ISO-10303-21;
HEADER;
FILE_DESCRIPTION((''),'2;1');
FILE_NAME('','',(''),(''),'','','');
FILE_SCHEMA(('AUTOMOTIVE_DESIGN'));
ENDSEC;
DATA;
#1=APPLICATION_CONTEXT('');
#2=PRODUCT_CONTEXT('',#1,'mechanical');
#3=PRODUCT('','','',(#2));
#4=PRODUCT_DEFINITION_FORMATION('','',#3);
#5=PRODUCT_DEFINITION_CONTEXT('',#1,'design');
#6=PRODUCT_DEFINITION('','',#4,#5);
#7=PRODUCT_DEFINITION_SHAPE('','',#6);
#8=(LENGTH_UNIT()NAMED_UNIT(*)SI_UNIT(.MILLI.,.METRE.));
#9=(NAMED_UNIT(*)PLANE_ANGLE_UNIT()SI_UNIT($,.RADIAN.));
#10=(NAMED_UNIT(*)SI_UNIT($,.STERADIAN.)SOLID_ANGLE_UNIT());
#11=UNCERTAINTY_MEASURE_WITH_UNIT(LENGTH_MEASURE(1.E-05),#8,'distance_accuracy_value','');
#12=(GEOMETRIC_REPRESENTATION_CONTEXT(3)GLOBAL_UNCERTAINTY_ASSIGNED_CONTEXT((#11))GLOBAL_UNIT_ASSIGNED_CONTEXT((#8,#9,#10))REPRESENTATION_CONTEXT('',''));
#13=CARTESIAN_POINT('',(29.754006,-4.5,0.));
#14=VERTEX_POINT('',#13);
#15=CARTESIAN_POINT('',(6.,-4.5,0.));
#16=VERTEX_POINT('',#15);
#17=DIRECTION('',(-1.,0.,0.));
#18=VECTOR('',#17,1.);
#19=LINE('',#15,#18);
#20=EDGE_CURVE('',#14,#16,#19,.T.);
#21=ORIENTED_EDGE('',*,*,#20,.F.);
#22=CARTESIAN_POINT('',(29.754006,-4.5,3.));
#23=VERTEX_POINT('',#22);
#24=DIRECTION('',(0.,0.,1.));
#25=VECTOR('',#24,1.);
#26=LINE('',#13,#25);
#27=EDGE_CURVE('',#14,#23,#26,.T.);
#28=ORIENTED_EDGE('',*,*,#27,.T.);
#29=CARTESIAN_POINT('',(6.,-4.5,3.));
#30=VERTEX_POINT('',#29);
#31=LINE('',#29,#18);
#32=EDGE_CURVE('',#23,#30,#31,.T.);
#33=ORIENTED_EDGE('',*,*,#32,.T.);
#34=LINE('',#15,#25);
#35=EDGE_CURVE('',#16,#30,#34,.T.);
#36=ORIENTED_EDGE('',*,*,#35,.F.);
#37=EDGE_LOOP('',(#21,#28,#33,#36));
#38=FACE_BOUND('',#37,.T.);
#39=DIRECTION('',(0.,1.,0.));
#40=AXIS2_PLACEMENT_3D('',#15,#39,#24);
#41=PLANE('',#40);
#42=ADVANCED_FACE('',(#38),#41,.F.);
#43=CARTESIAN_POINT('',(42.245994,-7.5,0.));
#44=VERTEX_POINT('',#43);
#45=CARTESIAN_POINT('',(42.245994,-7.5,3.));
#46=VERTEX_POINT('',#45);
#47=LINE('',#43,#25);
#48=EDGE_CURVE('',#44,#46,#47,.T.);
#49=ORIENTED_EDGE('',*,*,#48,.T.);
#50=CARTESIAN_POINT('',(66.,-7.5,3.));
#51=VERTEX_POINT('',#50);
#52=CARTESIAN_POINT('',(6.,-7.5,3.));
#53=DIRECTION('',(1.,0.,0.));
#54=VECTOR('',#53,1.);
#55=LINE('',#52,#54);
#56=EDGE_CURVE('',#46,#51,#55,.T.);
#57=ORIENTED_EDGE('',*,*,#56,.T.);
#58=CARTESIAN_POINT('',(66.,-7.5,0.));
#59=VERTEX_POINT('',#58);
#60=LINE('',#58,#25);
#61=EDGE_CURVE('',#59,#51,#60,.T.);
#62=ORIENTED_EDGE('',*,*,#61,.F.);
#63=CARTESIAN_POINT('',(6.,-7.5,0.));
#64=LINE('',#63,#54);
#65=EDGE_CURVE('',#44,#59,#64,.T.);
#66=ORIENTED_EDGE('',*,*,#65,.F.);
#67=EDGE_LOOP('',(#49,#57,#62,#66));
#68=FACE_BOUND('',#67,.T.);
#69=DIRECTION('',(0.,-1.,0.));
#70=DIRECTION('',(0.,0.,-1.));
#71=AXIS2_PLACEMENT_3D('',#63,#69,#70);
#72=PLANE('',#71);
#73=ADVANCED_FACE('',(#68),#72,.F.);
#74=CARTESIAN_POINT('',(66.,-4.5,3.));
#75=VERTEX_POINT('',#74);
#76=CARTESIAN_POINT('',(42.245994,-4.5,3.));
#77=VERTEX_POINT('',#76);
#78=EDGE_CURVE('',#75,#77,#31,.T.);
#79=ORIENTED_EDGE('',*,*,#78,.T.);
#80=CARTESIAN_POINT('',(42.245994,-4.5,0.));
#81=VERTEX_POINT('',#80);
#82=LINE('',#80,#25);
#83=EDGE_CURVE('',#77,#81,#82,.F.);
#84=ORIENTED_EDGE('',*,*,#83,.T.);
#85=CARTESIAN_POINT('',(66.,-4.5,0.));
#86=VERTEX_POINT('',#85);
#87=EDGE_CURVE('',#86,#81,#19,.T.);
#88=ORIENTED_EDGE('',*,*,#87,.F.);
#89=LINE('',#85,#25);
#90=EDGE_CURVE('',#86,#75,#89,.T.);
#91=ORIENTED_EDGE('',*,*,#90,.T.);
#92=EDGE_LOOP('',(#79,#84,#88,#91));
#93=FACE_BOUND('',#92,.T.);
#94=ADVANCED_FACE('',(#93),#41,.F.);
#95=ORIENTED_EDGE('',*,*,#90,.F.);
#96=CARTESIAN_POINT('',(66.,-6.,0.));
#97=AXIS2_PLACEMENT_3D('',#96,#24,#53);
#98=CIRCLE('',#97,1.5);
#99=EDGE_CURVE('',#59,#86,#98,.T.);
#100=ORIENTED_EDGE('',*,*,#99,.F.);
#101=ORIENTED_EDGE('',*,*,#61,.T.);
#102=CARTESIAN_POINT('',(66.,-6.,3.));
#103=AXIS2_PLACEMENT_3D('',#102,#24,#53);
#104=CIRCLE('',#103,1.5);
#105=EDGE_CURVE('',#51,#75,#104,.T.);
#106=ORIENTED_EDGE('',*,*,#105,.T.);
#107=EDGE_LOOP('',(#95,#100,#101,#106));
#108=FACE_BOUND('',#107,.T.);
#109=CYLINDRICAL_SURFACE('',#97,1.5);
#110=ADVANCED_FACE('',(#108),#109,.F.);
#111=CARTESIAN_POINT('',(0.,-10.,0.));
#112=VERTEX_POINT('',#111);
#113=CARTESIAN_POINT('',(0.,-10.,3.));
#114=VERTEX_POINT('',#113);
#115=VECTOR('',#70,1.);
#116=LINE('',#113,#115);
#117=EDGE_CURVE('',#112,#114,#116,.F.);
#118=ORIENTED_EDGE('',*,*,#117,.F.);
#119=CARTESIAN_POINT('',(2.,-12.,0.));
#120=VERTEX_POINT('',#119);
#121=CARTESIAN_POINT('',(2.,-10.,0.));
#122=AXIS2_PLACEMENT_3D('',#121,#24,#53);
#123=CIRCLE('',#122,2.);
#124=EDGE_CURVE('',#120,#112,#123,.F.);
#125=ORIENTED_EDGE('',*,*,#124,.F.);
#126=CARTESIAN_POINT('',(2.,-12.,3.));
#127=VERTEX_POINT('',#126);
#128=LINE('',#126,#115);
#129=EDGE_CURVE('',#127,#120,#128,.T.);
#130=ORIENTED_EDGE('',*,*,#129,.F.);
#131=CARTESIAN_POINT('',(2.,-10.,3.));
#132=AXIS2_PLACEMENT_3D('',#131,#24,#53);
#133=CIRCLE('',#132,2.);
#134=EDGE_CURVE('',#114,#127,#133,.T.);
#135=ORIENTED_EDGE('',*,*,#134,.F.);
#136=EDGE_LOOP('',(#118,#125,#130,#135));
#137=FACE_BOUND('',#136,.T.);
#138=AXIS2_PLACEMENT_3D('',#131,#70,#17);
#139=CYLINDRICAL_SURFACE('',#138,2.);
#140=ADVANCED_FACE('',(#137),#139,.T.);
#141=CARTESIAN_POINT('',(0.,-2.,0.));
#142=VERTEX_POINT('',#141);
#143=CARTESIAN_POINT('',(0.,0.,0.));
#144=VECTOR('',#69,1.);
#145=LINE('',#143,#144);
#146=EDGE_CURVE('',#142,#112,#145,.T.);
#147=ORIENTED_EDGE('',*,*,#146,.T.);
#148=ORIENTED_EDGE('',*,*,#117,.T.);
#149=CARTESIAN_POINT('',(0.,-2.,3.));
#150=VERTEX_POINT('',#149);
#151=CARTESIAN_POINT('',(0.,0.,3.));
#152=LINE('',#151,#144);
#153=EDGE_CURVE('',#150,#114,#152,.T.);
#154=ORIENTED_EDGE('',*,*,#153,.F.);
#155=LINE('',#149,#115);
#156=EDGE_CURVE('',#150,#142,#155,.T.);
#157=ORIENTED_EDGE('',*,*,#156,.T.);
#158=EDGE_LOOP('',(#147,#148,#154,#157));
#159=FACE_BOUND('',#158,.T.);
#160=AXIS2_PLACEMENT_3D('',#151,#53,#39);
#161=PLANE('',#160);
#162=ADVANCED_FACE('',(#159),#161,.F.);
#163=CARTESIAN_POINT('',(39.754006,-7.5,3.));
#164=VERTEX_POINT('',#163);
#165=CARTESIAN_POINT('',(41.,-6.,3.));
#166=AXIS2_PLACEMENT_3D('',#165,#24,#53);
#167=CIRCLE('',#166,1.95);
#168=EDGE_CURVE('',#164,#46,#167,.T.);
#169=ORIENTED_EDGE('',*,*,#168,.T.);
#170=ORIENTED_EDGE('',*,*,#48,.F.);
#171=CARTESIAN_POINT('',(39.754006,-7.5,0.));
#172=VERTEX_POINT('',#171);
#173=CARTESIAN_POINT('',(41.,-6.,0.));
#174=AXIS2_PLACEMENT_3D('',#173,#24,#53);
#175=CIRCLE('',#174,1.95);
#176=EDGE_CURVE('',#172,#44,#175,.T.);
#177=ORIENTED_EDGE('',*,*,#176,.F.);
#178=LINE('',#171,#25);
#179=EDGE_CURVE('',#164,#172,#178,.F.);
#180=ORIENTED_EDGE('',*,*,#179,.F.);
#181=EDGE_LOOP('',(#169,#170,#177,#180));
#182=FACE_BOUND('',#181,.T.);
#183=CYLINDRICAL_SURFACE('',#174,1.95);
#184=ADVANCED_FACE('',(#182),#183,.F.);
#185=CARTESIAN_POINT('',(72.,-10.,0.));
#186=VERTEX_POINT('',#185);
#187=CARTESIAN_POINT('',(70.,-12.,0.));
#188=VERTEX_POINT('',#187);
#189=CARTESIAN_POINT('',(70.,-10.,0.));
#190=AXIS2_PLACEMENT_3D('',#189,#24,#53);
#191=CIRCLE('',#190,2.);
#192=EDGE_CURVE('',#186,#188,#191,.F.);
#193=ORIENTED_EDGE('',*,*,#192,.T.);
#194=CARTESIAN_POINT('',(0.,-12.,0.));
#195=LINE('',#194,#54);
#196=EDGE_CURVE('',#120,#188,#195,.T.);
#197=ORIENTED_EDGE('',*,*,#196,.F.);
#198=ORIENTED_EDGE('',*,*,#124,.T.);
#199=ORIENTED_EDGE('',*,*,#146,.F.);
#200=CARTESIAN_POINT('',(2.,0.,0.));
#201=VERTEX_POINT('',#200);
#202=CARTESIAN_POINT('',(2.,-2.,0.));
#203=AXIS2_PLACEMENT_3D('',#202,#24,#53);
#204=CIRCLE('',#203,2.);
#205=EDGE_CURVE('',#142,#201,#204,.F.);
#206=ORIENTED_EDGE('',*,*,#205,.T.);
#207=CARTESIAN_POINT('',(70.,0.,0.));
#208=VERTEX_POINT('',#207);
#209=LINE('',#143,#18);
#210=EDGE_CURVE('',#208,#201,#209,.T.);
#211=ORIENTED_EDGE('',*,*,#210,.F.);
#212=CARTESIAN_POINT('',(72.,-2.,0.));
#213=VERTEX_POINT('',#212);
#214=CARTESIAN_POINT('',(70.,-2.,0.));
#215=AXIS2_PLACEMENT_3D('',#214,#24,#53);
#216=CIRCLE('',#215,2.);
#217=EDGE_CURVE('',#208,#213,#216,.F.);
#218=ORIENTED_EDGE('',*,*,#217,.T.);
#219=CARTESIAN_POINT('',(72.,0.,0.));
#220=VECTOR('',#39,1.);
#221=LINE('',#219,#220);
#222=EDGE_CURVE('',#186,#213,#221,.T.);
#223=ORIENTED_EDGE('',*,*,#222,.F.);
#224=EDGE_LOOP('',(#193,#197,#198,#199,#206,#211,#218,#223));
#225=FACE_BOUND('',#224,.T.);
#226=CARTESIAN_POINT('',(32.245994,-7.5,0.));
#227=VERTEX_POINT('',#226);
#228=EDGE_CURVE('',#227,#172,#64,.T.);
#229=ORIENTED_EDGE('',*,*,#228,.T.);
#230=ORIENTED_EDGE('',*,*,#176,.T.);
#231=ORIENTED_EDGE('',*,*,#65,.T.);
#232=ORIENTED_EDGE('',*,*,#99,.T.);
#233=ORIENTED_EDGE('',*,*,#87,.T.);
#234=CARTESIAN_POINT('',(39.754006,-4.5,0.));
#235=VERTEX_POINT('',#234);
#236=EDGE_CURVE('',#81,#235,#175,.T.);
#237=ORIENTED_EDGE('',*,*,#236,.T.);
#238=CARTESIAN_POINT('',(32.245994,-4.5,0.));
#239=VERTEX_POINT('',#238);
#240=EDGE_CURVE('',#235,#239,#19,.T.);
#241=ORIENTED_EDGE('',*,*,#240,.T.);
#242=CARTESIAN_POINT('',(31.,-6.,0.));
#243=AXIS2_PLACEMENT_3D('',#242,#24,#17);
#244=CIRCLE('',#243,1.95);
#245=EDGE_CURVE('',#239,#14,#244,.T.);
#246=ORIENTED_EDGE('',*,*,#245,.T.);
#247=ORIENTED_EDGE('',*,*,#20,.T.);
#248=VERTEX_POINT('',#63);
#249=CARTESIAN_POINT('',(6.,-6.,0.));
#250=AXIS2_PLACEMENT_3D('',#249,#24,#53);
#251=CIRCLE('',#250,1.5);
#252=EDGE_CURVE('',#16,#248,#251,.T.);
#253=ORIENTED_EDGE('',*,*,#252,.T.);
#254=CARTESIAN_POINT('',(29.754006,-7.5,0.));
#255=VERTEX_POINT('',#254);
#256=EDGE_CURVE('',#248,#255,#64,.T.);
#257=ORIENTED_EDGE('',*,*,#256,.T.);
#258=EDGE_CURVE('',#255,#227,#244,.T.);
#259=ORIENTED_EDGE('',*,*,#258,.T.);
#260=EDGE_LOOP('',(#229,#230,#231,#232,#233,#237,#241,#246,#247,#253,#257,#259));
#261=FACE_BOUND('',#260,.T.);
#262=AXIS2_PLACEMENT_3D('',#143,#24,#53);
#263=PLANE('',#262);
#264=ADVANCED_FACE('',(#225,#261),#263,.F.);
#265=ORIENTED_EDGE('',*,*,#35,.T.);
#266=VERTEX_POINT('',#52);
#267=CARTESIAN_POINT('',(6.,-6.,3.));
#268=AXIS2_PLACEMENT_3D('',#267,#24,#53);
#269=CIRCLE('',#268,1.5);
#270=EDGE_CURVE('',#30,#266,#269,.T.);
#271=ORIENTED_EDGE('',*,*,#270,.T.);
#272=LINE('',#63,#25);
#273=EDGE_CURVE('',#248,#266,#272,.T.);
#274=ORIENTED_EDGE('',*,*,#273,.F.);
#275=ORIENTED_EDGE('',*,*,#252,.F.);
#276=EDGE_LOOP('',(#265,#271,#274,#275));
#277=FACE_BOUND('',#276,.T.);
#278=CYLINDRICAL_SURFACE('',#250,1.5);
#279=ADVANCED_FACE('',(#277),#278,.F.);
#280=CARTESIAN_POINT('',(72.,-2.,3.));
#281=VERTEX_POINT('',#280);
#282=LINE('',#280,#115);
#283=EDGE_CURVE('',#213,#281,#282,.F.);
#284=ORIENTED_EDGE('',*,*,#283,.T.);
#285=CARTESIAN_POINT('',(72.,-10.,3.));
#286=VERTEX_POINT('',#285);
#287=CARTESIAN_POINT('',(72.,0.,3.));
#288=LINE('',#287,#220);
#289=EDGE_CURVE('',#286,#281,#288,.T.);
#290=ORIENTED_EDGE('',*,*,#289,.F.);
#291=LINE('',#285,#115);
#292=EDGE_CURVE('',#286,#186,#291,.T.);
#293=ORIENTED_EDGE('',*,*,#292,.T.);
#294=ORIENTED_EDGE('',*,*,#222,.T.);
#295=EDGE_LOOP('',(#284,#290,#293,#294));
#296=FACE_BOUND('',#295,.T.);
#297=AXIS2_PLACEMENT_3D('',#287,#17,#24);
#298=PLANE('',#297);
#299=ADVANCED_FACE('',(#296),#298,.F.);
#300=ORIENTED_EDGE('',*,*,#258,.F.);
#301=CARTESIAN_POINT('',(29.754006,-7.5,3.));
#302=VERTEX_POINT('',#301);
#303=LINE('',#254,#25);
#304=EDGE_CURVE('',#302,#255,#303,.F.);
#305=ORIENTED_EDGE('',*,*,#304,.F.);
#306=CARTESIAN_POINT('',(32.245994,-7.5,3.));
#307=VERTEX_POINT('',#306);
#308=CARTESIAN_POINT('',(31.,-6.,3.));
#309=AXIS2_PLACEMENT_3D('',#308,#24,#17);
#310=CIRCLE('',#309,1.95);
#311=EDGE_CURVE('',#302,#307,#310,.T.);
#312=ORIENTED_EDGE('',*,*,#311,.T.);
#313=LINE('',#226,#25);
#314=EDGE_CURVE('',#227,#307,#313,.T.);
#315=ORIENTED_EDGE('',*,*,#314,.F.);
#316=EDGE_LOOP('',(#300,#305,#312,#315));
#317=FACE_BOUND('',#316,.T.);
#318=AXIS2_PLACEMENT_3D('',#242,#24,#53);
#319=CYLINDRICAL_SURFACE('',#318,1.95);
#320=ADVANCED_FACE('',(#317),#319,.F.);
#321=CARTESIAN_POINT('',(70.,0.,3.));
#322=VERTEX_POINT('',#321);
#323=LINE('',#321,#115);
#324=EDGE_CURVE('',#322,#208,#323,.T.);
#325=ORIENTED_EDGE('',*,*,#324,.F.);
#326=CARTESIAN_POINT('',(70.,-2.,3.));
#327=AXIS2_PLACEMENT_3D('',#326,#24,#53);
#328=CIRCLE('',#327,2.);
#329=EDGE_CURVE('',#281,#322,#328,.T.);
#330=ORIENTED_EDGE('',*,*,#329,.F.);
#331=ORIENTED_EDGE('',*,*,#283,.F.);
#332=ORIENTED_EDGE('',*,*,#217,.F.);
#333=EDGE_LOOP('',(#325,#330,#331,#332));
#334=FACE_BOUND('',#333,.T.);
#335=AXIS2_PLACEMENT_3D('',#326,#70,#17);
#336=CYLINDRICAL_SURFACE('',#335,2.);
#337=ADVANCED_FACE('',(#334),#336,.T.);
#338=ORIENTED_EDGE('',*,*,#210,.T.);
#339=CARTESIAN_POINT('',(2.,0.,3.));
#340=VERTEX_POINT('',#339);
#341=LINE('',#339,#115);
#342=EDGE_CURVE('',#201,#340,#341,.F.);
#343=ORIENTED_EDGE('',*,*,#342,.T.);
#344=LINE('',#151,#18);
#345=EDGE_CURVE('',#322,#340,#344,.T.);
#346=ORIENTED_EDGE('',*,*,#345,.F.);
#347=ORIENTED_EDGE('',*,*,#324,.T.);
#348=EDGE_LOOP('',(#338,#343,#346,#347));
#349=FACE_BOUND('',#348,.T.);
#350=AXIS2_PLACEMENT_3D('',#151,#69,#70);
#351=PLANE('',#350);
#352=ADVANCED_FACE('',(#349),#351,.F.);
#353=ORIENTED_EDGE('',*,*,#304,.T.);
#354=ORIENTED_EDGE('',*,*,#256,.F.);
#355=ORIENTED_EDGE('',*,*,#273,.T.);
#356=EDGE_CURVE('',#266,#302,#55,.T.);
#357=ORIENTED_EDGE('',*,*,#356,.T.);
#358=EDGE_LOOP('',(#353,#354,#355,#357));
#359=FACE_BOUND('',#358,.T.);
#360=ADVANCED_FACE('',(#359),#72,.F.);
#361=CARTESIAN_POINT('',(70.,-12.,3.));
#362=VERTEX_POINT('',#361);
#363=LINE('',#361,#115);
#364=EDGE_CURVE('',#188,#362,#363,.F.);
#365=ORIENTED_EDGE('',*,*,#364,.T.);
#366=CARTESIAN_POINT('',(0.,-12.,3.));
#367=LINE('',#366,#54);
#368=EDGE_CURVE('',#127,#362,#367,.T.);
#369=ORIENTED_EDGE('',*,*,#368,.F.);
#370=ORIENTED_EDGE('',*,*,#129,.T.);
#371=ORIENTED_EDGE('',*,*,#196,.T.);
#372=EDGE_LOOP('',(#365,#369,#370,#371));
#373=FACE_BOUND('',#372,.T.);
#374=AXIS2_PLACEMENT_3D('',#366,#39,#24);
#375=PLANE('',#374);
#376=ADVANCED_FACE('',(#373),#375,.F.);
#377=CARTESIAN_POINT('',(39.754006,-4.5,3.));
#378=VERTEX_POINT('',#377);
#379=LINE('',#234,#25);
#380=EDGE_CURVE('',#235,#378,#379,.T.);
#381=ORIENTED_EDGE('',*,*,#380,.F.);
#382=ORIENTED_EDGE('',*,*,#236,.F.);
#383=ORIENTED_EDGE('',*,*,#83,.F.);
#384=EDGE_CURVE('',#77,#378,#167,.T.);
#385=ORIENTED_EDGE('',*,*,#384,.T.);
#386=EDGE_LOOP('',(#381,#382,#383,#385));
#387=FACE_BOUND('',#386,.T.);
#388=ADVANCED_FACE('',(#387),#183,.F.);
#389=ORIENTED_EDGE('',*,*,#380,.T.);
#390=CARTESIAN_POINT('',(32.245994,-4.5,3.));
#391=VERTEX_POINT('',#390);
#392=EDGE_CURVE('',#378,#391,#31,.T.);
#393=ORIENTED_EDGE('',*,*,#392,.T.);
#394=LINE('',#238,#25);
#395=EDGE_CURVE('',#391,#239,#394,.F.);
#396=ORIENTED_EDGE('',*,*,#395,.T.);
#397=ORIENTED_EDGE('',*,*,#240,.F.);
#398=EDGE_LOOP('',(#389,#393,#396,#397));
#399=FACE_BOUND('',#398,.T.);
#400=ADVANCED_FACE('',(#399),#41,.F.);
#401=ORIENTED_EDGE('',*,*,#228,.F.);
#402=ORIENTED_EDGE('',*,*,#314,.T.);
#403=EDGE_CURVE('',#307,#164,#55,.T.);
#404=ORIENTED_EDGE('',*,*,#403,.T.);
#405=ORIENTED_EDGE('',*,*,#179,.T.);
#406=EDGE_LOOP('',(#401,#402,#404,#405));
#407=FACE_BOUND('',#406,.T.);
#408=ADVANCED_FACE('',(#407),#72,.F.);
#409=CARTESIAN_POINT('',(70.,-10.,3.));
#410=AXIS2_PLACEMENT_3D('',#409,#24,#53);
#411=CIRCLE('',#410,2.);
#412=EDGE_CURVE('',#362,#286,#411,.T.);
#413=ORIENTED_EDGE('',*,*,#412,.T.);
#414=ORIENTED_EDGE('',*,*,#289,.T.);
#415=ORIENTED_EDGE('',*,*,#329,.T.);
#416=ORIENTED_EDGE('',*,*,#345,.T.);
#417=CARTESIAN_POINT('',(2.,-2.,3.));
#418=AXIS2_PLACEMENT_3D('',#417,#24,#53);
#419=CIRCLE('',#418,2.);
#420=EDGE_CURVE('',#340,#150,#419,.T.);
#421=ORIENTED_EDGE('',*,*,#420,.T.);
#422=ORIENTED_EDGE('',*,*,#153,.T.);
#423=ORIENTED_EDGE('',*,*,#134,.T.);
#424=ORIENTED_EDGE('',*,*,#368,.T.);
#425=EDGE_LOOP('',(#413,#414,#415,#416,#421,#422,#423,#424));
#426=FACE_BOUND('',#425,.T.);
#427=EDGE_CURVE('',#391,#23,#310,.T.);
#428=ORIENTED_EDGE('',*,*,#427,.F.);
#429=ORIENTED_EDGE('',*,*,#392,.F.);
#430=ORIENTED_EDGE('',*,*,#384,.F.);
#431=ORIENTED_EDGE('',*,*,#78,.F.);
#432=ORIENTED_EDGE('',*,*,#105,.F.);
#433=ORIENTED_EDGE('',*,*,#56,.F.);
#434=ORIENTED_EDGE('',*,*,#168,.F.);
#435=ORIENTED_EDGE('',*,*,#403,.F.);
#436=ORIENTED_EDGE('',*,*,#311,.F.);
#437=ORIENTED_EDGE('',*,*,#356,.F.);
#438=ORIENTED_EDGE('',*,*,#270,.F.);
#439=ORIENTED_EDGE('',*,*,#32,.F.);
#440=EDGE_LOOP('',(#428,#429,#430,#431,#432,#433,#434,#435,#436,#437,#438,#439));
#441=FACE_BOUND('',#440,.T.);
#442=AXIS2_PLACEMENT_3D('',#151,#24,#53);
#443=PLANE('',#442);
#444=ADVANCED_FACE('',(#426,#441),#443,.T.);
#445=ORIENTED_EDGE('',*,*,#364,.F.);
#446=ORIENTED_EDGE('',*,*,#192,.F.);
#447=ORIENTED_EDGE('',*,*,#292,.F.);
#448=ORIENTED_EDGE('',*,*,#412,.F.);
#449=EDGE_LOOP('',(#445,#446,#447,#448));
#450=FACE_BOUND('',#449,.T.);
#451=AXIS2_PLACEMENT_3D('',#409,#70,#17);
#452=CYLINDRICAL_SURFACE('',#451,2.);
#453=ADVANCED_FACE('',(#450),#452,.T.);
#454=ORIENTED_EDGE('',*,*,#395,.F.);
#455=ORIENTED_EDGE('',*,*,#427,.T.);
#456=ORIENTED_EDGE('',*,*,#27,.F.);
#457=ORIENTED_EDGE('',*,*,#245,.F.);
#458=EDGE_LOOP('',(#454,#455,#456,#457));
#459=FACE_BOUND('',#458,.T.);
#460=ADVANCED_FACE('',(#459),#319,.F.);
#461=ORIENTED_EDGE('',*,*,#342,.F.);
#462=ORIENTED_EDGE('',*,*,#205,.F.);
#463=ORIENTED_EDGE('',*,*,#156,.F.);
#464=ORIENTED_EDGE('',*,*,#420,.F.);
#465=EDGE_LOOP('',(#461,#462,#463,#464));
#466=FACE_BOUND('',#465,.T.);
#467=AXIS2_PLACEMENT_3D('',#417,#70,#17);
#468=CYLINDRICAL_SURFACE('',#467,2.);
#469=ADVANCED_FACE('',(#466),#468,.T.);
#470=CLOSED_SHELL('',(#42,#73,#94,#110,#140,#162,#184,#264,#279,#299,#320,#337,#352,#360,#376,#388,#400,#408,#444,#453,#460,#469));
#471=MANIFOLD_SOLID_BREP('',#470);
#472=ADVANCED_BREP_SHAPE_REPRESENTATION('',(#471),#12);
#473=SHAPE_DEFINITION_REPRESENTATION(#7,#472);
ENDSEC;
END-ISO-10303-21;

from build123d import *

# Parameters (mm, degrees)
SKETCH_1_W          = 72
SKETCH_1_H          = 12
EXTRUDE_1_DEPTH     = 3
CUT_EXTRUDE_1_DEPTH = 74.054773971
SKETCH_3_R          = 1.95
CUT_EXTRUDE_2_DEPTH = 74.054773971
FILLET_1_R          = 2


with BuildPart() as part:
    # 草图1 → 凸台-拉伸1 (new body)
    with BuildSketch(Plane.XY):
        with Locations((36, -6)):
            Rectangle(SKETCH_1_W, SKETCH_1_H)
    extrude(amount=EXTRUDE_1_DEPTH)

    # 草图2 → 切除-拉伸1 (cut, through all)
    with BuildSketch(Plane.XY.offset(3)):
        with BuildLine():
            Line((6, -4.5), (66, -4.5))
            ThreePointArc((66, -4.5), (67.5, -6), (66, -7.5))
            Line((66, -7.5), (6, -7.5))
            ThreePointArc((6, -7.5), (4.5, -6), (6, -4.5))
        make_face()
    extrude(amount=-CUT_EXTRUDE_1_DEPTH, mode=Mode.SUBTRACT)

    # 草图3 → 切除-拉伸2 (cut, through all)
    with BuildSketch(Plane.XY.offset(3)):
        with Locations((41, -6)):
            Circle(SKETCH_3_R)
        with Locations((31, -6)):
            Circle(SKETCH_3_R)
    extrude(amount=-CUT_EXTRUDE_2_DEPTH, mode=Mode.SUBTRACT)

    # 圆角1
    fillet_1_edges = [part.edges().sort_by_distance(p)[0] for p in [
        (0, 0, 1.5),
        (72, 0, 1.5),
        (72, -12, 1.5),
        (0, -12, 1.5),
    ]]
    fillet(fillet_1_edges, radius=FILLET_1_R)


solid = part.part
